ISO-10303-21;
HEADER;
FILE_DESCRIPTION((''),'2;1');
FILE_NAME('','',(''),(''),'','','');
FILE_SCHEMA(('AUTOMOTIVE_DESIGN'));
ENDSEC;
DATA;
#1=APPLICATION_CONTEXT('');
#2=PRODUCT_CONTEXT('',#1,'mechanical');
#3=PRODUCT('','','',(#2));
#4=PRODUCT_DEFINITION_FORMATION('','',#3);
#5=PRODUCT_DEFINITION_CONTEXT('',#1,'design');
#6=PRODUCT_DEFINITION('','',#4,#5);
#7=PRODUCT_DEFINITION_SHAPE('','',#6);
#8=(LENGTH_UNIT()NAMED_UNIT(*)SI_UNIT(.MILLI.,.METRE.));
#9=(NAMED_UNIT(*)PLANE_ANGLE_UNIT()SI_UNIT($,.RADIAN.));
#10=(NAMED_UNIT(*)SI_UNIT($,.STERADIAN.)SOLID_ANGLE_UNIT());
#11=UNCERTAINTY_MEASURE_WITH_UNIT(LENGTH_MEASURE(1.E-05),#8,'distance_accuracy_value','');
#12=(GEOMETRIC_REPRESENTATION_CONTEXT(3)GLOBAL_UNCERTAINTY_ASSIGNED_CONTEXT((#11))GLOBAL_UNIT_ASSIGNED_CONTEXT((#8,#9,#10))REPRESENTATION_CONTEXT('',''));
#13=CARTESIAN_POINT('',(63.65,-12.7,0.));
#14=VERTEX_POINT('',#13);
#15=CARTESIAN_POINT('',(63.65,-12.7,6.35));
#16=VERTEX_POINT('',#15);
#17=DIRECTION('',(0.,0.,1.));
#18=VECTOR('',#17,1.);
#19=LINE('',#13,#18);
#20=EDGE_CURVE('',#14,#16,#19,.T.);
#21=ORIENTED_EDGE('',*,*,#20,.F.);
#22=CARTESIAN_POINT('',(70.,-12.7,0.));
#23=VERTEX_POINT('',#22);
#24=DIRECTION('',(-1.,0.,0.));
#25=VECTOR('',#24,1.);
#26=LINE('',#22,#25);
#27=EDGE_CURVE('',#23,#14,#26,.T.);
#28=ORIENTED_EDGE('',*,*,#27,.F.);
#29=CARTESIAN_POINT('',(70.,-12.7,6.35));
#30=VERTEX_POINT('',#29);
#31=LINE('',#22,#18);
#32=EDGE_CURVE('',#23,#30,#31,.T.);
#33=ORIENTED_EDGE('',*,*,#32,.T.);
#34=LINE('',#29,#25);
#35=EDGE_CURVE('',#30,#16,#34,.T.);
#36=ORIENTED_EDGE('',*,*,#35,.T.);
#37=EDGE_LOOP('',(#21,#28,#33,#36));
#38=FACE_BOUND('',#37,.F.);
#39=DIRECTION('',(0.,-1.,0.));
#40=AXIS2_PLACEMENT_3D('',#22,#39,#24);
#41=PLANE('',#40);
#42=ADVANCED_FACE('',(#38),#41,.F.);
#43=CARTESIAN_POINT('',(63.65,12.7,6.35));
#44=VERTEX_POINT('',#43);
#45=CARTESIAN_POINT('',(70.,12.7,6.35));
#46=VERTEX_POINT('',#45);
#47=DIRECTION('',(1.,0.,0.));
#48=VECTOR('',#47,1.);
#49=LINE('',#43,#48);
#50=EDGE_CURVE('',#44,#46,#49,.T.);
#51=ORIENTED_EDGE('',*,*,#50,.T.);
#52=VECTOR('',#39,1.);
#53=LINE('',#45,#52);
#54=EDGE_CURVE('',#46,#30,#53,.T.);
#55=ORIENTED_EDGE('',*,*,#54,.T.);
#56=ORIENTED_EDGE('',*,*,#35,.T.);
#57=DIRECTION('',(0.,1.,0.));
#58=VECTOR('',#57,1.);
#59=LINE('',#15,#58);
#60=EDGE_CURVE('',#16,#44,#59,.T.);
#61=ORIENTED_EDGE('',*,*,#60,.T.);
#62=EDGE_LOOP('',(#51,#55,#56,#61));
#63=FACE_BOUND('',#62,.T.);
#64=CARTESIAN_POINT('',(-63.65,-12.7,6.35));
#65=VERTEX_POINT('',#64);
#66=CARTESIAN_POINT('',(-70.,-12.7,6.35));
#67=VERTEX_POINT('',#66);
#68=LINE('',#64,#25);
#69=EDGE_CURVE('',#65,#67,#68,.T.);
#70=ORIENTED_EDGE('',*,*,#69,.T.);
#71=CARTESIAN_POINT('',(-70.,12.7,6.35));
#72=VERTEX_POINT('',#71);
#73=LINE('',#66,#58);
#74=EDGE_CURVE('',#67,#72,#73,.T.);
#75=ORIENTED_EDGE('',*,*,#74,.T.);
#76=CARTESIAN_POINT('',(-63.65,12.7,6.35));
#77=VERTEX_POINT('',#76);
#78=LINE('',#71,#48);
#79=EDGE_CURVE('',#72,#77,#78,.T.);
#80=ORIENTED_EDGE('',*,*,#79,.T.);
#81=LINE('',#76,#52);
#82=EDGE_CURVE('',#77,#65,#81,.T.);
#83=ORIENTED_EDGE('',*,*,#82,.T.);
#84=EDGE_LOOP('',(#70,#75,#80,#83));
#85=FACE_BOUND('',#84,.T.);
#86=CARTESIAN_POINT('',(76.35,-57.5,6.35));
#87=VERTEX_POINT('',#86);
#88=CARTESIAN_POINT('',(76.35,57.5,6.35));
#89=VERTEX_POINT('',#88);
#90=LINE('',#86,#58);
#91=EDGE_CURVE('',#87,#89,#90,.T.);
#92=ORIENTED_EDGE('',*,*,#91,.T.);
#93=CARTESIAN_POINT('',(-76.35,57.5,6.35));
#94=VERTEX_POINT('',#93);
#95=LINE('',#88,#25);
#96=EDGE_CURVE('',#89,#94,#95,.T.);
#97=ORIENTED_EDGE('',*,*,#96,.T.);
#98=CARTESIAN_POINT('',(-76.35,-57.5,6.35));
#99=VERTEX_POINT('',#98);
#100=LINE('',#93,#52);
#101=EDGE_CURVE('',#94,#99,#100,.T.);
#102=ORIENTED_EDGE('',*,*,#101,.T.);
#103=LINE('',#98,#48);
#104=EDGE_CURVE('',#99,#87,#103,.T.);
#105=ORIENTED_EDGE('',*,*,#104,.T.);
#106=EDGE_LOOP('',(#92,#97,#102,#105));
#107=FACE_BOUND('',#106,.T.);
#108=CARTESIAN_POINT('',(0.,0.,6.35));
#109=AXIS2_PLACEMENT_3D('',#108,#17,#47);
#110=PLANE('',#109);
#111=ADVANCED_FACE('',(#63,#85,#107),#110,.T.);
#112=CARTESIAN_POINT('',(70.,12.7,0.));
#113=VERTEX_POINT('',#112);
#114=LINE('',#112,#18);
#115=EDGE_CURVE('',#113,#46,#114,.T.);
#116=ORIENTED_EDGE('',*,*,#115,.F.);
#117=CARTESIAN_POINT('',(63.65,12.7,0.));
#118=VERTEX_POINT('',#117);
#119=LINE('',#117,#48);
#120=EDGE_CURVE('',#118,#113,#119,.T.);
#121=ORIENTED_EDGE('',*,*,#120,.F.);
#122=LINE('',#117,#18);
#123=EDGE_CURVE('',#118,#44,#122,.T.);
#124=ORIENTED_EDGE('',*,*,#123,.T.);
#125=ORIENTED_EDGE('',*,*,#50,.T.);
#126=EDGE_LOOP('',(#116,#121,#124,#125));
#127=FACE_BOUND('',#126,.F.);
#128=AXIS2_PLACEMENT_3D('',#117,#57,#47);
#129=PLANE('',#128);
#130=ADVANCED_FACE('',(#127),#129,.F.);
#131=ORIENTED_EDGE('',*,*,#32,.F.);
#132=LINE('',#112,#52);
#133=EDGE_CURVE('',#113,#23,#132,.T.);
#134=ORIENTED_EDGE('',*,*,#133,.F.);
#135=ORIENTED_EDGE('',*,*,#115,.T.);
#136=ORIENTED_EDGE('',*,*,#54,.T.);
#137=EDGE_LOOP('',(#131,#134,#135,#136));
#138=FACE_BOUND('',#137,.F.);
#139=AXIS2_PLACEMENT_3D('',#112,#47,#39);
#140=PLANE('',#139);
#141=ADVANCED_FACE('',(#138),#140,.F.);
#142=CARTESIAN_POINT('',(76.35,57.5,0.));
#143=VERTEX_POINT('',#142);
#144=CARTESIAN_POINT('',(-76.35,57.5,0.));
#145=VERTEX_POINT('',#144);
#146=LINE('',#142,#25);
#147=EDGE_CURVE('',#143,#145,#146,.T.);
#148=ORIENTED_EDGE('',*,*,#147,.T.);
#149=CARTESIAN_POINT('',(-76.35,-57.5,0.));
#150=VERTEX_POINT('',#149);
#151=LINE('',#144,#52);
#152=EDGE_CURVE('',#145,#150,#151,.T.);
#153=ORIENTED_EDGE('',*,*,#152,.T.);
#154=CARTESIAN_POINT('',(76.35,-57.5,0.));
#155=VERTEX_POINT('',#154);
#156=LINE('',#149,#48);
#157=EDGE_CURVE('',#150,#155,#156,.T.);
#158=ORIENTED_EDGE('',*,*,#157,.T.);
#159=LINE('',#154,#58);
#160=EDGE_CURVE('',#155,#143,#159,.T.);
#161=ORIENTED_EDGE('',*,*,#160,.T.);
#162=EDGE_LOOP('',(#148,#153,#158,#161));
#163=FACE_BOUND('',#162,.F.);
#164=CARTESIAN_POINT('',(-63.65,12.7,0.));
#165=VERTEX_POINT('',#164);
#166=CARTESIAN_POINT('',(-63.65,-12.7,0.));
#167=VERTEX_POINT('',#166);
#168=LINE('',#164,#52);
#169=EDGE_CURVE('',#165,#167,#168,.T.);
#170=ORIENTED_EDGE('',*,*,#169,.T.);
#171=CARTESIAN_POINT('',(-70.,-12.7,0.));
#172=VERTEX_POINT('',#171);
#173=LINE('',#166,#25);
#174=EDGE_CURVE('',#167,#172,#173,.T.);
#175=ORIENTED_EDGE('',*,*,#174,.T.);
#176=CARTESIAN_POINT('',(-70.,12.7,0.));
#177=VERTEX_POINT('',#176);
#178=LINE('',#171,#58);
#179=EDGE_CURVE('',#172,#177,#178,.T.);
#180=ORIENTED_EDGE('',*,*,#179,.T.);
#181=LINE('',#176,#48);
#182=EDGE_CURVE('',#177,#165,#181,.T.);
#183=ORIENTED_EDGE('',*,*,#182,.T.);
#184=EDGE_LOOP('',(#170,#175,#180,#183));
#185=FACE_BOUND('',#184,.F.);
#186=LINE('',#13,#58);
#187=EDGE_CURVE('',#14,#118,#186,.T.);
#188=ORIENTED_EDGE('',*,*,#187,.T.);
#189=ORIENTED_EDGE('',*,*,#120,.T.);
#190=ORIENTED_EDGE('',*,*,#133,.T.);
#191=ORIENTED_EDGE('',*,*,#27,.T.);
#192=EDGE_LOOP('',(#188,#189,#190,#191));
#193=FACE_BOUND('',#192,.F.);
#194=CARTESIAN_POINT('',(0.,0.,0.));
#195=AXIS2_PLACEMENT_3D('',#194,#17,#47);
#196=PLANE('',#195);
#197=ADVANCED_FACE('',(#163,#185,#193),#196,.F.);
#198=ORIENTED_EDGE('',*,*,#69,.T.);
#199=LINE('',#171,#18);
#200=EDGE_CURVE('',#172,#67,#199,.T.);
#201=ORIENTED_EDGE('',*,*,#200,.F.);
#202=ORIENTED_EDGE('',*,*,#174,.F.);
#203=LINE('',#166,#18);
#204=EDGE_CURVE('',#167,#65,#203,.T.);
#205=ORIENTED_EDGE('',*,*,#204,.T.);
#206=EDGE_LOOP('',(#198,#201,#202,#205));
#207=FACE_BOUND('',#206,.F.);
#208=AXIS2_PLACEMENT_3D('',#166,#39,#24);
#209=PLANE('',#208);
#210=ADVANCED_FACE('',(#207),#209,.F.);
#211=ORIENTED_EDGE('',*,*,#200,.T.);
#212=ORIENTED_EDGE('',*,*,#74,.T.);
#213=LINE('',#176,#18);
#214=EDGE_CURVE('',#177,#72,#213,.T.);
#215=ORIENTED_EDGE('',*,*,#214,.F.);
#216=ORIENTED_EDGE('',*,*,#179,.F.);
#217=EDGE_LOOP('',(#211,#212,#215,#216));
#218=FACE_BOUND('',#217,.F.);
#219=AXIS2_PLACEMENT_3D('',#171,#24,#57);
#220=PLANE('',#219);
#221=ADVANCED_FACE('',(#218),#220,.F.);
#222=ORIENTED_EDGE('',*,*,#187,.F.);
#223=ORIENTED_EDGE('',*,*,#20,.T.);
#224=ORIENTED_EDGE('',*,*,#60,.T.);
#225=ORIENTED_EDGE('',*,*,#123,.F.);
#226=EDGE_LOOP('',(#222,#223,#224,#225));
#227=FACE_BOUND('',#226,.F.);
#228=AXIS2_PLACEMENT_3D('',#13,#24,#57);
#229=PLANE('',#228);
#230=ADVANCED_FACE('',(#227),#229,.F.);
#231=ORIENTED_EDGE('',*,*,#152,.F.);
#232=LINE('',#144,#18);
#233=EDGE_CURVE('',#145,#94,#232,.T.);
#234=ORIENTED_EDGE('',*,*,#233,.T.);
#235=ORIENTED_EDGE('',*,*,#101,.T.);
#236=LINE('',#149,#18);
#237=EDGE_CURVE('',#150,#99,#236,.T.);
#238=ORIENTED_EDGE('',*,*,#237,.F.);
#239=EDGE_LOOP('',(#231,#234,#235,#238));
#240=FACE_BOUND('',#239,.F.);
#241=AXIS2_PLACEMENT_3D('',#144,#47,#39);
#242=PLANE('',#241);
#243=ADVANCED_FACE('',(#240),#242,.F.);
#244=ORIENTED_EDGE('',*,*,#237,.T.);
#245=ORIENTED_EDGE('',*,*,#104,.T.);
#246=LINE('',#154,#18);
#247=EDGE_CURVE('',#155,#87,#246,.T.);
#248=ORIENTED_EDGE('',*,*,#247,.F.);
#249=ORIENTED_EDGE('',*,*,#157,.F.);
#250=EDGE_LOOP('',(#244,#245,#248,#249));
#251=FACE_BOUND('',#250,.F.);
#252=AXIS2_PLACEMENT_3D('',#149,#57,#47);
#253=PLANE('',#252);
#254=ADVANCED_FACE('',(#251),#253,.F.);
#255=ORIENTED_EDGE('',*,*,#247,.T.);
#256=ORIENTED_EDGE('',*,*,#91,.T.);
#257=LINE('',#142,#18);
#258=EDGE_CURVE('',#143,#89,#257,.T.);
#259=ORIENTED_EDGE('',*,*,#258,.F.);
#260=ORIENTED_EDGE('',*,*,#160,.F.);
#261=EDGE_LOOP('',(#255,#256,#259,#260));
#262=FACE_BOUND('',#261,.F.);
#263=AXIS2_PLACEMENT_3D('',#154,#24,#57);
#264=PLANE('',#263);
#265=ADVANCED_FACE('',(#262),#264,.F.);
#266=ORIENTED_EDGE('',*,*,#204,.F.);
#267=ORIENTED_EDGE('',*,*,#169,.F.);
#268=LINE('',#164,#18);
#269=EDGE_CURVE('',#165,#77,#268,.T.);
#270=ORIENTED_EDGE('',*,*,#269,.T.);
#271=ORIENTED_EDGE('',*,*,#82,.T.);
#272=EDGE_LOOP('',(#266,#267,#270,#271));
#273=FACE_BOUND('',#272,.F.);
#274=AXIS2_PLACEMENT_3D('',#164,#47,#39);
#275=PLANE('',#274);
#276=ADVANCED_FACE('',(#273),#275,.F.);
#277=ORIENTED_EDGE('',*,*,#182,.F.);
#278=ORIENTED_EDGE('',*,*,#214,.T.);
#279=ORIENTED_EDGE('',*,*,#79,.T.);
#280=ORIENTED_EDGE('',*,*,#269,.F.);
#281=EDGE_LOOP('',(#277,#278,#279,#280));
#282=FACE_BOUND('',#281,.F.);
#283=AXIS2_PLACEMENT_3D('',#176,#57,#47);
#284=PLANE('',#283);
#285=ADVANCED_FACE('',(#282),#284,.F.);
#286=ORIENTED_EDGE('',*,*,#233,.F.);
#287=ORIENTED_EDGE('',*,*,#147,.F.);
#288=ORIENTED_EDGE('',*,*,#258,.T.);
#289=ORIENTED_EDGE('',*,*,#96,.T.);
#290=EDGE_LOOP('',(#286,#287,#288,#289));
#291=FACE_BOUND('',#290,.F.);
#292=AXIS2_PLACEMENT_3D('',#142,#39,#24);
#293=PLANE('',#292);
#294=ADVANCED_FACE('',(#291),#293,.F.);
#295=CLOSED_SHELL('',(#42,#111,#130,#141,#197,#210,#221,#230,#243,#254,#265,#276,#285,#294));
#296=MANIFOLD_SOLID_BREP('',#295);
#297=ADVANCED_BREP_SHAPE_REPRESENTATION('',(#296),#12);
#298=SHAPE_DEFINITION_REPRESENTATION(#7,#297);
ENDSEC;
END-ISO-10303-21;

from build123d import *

# Parameters (mm, degrees)
F1_DEPTH = 6.35


with BuildPart() as f1:
    # F0 (on Top) → F1 (new body)
    with BuildSketch(Plane.XY):
        Polygon((70, 12.7), (70, 57.5), (-70, 57.5), (-70, 12.7), (-63.65, 12.7), (-63.65, -12.7), (-70, -12.7), (-70, -57.5), (70, -57.5), (70, -12.7), (63.65, -12.7), (63.65, 12.7), align=None)
        Polygon((76.35, 57.5), (70, 57.5), (70, 12.7), (70, -12.7), (70, -57.5), (76.35, -57.5), align=None)
        Polygon((-70, 12.7), (-70, 57.5), (-76.35, 57.5), (-76.35, -57.5), (-70, -57.5), (-70, -12.7), align=None)
    extrude(amount=F1_DEPTH)


solid = f1.part
